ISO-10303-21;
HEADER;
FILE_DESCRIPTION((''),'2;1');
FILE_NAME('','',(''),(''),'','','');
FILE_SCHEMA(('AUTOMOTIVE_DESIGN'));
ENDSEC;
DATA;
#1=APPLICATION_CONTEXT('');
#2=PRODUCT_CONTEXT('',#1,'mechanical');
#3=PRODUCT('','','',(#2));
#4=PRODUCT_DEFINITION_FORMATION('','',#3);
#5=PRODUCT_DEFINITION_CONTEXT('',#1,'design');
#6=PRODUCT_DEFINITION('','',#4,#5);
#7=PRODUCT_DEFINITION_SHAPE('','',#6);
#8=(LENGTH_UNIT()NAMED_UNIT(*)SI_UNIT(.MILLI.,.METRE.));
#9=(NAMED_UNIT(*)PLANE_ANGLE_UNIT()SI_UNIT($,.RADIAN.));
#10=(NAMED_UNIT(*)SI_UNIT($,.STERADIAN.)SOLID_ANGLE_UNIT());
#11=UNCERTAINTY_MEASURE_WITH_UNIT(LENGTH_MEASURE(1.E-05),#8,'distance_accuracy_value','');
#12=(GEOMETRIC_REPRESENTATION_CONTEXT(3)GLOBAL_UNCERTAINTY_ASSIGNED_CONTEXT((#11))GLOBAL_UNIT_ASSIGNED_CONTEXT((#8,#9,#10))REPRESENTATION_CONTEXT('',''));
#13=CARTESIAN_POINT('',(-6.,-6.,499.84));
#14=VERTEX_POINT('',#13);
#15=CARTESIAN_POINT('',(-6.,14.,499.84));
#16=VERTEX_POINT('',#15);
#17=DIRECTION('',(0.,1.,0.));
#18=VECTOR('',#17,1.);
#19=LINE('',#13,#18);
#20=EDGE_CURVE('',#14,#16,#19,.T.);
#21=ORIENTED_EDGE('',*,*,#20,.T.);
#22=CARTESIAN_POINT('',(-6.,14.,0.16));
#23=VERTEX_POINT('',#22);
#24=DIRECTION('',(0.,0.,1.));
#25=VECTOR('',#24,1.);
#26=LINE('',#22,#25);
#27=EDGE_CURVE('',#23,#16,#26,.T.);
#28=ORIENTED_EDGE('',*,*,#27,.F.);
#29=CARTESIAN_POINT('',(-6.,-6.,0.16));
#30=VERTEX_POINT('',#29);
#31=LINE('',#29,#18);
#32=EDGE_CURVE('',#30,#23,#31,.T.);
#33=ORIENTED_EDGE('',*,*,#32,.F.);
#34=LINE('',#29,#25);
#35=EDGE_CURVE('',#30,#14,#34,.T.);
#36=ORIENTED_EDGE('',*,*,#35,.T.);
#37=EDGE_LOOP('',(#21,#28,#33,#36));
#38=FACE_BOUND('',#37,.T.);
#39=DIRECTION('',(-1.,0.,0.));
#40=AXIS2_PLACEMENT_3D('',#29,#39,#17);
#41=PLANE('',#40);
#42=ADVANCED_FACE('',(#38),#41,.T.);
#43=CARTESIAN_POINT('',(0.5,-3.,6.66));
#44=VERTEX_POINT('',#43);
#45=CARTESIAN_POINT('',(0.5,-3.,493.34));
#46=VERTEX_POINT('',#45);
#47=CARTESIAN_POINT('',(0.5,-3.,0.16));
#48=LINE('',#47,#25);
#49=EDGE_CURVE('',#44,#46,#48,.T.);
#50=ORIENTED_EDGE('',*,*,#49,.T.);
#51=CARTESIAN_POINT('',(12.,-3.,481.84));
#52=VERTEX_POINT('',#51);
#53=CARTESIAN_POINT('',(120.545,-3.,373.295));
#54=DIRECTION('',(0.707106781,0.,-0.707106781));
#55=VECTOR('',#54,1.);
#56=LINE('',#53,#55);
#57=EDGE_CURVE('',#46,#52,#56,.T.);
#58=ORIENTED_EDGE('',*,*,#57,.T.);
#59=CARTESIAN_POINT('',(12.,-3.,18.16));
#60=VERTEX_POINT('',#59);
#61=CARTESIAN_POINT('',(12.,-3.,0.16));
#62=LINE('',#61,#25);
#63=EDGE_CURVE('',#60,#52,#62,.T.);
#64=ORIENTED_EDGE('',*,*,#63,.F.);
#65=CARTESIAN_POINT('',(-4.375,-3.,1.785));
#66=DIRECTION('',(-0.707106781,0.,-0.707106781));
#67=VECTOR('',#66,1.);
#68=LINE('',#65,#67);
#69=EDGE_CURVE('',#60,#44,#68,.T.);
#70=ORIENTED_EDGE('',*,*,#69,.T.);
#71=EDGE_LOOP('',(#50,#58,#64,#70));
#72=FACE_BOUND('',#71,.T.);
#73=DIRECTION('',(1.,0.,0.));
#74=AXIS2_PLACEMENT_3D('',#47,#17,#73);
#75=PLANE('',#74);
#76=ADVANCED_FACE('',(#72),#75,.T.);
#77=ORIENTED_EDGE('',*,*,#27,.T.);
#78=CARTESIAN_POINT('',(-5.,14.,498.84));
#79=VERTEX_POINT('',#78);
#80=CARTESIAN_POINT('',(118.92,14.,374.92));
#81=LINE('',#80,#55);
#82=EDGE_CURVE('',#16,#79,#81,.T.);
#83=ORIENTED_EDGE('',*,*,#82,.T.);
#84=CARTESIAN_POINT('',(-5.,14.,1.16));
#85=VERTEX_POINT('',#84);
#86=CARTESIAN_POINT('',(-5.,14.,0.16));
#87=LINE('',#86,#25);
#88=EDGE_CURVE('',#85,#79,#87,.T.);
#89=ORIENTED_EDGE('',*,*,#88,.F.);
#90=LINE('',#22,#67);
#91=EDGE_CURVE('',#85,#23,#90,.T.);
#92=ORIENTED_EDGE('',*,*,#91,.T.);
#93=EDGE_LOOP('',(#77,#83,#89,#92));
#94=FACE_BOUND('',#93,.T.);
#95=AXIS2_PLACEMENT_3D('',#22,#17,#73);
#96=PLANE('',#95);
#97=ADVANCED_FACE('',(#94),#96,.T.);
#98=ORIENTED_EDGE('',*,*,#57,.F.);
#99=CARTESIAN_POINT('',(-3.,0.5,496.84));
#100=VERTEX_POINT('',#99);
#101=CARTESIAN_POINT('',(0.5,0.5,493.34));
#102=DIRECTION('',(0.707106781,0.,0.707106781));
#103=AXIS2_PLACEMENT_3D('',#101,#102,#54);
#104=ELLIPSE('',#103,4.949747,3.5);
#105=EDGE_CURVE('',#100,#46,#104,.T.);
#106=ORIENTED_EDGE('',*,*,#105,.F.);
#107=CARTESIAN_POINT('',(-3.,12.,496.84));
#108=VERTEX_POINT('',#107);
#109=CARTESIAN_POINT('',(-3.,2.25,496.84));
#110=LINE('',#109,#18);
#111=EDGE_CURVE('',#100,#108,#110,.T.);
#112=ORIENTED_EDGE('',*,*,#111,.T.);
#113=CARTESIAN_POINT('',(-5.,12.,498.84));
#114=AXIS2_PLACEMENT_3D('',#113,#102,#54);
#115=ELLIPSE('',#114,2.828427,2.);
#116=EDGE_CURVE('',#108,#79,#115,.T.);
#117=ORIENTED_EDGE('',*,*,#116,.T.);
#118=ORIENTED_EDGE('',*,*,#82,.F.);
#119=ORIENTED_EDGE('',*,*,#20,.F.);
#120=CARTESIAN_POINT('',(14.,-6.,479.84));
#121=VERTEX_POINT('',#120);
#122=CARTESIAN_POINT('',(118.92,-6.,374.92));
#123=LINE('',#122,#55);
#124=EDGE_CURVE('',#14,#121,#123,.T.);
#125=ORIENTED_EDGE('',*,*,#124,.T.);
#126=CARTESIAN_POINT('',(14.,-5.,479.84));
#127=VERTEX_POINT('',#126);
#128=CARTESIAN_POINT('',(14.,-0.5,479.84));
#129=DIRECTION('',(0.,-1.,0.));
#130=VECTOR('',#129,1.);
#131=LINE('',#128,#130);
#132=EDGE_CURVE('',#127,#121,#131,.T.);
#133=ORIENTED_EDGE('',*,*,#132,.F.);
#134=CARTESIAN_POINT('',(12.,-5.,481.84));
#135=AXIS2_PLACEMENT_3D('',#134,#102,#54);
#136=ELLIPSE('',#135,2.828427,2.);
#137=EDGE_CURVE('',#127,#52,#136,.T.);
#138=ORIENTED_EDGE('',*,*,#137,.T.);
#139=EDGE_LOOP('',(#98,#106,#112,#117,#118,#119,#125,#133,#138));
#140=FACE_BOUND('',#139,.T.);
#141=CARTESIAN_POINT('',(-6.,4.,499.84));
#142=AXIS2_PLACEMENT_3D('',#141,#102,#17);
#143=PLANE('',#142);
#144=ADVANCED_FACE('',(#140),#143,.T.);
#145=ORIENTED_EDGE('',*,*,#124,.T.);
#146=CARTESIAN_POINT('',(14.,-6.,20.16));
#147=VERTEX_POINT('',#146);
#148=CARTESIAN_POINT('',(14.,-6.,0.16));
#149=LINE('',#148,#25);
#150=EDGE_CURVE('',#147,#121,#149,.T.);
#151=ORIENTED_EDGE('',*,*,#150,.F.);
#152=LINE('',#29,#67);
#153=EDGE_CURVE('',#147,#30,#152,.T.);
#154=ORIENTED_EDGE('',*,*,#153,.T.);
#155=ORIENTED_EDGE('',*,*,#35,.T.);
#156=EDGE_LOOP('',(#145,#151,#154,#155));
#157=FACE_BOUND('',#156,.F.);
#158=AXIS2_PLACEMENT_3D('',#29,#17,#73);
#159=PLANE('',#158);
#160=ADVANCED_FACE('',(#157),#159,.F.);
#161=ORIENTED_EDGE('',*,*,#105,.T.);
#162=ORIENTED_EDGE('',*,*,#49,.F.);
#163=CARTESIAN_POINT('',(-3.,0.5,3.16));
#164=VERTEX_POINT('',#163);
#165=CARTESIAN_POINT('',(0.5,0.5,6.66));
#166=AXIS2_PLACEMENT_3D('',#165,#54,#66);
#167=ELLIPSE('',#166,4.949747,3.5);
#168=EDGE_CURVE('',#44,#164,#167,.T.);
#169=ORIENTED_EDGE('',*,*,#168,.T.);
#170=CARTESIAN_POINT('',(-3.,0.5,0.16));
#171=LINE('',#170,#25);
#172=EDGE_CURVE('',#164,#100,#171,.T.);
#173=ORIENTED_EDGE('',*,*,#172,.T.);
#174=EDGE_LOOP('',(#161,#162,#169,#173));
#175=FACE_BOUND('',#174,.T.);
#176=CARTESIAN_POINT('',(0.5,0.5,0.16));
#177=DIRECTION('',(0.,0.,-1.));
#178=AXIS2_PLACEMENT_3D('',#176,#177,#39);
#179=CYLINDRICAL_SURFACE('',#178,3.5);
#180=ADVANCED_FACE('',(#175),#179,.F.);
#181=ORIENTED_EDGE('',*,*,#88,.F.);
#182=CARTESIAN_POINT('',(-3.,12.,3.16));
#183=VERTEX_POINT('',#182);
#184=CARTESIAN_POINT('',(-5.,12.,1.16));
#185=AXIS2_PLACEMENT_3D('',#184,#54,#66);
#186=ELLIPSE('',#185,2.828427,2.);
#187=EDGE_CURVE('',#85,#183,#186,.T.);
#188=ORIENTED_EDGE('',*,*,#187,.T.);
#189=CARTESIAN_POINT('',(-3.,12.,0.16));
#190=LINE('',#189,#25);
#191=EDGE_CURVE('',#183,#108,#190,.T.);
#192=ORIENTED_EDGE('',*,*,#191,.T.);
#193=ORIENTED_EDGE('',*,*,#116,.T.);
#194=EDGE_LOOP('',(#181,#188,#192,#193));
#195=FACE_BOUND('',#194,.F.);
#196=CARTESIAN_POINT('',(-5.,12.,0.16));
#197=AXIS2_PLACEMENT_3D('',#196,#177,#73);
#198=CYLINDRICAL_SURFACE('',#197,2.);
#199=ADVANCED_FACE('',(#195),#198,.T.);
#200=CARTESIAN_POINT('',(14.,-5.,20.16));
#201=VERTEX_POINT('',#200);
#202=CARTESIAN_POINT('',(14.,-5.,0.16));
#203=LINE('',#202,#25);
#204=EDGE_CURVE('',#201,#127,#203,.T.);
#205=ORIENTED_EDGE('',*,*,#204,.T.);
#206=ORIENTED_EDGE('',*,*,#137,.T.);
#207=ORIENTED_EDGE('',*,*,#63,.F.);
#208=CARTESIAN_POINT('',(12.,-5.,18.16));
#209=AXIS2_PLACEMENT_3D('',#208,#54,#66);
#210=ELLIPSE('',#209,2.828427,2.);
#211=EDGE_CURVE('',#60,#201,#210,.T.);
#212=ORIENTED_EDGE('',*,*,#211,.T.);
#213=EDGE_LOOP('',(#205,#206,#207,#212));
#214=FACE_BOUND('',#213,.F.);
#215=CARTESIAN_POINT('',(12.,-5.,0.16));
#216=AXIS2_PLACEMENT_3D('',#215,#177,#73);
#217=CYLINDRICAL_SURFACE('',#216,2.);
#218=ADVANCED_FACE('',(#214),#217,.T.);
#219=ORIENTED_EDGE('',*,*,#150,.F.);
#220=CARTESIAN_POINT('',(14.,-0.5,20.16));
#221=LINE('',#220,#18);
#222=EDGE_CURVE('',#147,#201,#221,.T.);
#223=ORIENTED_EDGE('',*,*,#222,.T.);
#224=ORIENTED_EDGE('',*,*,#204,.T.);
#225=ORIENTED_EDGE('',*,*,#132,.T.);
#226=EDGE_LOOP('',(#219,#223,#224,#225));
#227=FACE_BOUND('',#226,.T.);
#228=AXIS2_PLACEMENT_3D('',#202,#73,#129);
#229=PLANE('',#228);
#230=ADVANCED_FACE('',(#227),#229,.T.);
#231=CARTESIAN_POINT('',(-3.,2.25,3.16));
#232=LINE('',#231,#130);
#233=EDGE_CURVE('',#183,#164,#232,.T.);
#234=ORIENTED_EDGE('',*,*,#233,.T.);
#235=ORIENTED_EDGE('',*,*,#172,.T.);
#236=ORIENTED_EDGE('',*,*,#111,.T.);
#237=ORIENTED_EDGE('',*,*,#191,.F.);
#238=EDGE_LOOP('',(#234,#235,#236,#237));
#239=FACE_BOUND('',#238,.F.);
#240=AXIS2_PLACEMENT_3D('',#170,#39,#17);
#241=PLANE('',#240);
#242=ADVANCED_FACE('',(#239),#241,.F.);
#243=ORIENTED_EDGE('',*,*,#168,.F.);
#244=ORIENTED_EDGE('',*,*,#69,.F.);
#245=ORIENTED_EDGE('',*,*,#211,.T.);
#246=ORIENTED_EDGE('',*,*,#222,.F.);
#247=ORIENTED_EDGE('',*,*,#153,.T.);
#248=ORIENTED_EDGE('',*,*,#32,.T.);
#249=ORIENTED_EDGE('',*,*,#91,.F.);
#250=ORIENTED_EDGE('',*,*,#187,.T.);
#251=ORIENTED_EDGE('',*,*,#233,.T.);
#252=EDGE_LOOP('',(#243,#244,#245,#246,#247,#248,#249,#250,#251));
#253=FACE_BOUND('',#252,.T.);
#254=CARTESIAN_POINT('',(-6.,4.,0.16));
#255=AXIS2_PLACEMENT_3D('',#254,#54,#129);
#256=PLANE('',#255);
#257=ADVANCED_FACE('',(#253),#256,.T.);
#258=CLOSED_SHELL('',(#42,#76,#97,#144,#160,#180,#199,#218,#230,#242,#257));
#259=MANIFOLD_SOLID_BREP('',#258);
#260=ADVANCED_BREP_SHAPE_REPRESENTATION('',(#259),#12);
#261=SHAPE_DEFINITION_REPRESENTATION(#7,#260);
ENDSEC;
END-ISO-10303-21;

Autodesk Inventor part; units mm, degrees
ref_plane "Start plane" through (0, 0, 0.16) normal (0, 0, 1) x (1, 0, 0)
ref_plane "End plane" through (0, 0, 499.84) normal (0, 0, 1) x (1, 0, 0)
sketch "Sketch" plane through (0, 0, 0) normal (0, 0, 1) x (1, 0, 0)
  line L0 (-3, 0.5) -> (-3, 12)
  line L1 (-6, 14) -> (-5, 14)
  line L2 (-6, -6) -> (-6, 14)
  line L3 (-6, -6) -> (14, -6)
  line L4 (14, -5) -> (14, -6)
  line L5 (0.5, -3) -> (12, -3)
  arc A0 (-3, 0.5) -> (0.5, -3) centre (0.5, 0.5) ccw
  arc A1 (-3, 12) -> (-5, 14) centre (-5, 12) ccw
  arc A2 (14, -5) -> (12, -3) centre (12, -5) ccw
  line L6 (0, 18.4971) -> (0, -10.0828) construction
  line L7 (-10.0828, 0) -> (18.4971, 0) construction
  point P0 (-3, -3)
  point P1 (-3, 14)
  point P2 (14, -3)
  dimension "d4" = 20
  dimension "d6" = 20
  dimension "d8" = 3
  dimension "d10" = 3
  dimension "d17" = 3.5
  dimension "d18" = 2
  dimension "d19" = 6
  dimension "d20" = 6
extrude "Body" add sketch "Sketch" along normal up to surface (499.68 mm away) from surface at 0.16
sketch "Sketch3" plane through (0, 0, 0) normal (0, 0, 1) x (1, 0, 0)
  line L0 (0, 0) -> (10, 0)
ref_plane "Work Plane10" through (0, 0, 0) normal (0, -1, 0) x (1, 0, 0)
sketch "Sketch4" plane through (0, 0, 0) normal (0, -1, 0) x (1, 0, 0)
  line L0 (-2, 0.16) -> (12, 0.16)
  line L1 (-2, 499.84) -> (12, 499.84)
  dimension "d24" = 499.68
ref_plane "Work Plane11" through (-6, 4, 0.16) normal (0.7071, 0, -0.7071) x (-0.7071, 0, -0.7071)
split "Split1" plane through (-6, 4, 0.16) removes the side toward (0.7071, 0, -0.7071)
ref_plane "Work Plane12" through (-6, 4, 499.84) normal (0.7071, 0, 0.7071) x (0.7071, 0, -0.7071)
split "Split2" plane through (-6, 4, 499.84) removes the side toward (0.7071, 0, 0.7071)
equation "\"d4\" = b"
equation "\"d6\" = b"
equation "\"d8\" = ParT"
equation "\"d10\" = ParT"
equation "\"d17\" = R"
equation "\"d18\" = R1"
equation "\"d19\" = ex"
equation "\"d20\" = d19"
equation "\"d11\" = G_L"
equation "\"b\" = 20"
equation "\"ParT\" = 3"
equation "\"R\" = 3.5"
equation "\"R1\" = 2"
equation "\"G_L\" = d24"
equation "\"ex\" = 6"
equation "\"G_OFFSET_START\" = -0.16"
equation "\"G_OFFSET_END\" = -0.16"
equation "\"d21\" = -G_OFFSET_START"
equation "\"d22\" = G_OFFSET_END + B_L"
equation "\"B_L\" = 500"
properties part number "ISO 657-1 - L20x20x3-499.68" material "Stainless Steel"
